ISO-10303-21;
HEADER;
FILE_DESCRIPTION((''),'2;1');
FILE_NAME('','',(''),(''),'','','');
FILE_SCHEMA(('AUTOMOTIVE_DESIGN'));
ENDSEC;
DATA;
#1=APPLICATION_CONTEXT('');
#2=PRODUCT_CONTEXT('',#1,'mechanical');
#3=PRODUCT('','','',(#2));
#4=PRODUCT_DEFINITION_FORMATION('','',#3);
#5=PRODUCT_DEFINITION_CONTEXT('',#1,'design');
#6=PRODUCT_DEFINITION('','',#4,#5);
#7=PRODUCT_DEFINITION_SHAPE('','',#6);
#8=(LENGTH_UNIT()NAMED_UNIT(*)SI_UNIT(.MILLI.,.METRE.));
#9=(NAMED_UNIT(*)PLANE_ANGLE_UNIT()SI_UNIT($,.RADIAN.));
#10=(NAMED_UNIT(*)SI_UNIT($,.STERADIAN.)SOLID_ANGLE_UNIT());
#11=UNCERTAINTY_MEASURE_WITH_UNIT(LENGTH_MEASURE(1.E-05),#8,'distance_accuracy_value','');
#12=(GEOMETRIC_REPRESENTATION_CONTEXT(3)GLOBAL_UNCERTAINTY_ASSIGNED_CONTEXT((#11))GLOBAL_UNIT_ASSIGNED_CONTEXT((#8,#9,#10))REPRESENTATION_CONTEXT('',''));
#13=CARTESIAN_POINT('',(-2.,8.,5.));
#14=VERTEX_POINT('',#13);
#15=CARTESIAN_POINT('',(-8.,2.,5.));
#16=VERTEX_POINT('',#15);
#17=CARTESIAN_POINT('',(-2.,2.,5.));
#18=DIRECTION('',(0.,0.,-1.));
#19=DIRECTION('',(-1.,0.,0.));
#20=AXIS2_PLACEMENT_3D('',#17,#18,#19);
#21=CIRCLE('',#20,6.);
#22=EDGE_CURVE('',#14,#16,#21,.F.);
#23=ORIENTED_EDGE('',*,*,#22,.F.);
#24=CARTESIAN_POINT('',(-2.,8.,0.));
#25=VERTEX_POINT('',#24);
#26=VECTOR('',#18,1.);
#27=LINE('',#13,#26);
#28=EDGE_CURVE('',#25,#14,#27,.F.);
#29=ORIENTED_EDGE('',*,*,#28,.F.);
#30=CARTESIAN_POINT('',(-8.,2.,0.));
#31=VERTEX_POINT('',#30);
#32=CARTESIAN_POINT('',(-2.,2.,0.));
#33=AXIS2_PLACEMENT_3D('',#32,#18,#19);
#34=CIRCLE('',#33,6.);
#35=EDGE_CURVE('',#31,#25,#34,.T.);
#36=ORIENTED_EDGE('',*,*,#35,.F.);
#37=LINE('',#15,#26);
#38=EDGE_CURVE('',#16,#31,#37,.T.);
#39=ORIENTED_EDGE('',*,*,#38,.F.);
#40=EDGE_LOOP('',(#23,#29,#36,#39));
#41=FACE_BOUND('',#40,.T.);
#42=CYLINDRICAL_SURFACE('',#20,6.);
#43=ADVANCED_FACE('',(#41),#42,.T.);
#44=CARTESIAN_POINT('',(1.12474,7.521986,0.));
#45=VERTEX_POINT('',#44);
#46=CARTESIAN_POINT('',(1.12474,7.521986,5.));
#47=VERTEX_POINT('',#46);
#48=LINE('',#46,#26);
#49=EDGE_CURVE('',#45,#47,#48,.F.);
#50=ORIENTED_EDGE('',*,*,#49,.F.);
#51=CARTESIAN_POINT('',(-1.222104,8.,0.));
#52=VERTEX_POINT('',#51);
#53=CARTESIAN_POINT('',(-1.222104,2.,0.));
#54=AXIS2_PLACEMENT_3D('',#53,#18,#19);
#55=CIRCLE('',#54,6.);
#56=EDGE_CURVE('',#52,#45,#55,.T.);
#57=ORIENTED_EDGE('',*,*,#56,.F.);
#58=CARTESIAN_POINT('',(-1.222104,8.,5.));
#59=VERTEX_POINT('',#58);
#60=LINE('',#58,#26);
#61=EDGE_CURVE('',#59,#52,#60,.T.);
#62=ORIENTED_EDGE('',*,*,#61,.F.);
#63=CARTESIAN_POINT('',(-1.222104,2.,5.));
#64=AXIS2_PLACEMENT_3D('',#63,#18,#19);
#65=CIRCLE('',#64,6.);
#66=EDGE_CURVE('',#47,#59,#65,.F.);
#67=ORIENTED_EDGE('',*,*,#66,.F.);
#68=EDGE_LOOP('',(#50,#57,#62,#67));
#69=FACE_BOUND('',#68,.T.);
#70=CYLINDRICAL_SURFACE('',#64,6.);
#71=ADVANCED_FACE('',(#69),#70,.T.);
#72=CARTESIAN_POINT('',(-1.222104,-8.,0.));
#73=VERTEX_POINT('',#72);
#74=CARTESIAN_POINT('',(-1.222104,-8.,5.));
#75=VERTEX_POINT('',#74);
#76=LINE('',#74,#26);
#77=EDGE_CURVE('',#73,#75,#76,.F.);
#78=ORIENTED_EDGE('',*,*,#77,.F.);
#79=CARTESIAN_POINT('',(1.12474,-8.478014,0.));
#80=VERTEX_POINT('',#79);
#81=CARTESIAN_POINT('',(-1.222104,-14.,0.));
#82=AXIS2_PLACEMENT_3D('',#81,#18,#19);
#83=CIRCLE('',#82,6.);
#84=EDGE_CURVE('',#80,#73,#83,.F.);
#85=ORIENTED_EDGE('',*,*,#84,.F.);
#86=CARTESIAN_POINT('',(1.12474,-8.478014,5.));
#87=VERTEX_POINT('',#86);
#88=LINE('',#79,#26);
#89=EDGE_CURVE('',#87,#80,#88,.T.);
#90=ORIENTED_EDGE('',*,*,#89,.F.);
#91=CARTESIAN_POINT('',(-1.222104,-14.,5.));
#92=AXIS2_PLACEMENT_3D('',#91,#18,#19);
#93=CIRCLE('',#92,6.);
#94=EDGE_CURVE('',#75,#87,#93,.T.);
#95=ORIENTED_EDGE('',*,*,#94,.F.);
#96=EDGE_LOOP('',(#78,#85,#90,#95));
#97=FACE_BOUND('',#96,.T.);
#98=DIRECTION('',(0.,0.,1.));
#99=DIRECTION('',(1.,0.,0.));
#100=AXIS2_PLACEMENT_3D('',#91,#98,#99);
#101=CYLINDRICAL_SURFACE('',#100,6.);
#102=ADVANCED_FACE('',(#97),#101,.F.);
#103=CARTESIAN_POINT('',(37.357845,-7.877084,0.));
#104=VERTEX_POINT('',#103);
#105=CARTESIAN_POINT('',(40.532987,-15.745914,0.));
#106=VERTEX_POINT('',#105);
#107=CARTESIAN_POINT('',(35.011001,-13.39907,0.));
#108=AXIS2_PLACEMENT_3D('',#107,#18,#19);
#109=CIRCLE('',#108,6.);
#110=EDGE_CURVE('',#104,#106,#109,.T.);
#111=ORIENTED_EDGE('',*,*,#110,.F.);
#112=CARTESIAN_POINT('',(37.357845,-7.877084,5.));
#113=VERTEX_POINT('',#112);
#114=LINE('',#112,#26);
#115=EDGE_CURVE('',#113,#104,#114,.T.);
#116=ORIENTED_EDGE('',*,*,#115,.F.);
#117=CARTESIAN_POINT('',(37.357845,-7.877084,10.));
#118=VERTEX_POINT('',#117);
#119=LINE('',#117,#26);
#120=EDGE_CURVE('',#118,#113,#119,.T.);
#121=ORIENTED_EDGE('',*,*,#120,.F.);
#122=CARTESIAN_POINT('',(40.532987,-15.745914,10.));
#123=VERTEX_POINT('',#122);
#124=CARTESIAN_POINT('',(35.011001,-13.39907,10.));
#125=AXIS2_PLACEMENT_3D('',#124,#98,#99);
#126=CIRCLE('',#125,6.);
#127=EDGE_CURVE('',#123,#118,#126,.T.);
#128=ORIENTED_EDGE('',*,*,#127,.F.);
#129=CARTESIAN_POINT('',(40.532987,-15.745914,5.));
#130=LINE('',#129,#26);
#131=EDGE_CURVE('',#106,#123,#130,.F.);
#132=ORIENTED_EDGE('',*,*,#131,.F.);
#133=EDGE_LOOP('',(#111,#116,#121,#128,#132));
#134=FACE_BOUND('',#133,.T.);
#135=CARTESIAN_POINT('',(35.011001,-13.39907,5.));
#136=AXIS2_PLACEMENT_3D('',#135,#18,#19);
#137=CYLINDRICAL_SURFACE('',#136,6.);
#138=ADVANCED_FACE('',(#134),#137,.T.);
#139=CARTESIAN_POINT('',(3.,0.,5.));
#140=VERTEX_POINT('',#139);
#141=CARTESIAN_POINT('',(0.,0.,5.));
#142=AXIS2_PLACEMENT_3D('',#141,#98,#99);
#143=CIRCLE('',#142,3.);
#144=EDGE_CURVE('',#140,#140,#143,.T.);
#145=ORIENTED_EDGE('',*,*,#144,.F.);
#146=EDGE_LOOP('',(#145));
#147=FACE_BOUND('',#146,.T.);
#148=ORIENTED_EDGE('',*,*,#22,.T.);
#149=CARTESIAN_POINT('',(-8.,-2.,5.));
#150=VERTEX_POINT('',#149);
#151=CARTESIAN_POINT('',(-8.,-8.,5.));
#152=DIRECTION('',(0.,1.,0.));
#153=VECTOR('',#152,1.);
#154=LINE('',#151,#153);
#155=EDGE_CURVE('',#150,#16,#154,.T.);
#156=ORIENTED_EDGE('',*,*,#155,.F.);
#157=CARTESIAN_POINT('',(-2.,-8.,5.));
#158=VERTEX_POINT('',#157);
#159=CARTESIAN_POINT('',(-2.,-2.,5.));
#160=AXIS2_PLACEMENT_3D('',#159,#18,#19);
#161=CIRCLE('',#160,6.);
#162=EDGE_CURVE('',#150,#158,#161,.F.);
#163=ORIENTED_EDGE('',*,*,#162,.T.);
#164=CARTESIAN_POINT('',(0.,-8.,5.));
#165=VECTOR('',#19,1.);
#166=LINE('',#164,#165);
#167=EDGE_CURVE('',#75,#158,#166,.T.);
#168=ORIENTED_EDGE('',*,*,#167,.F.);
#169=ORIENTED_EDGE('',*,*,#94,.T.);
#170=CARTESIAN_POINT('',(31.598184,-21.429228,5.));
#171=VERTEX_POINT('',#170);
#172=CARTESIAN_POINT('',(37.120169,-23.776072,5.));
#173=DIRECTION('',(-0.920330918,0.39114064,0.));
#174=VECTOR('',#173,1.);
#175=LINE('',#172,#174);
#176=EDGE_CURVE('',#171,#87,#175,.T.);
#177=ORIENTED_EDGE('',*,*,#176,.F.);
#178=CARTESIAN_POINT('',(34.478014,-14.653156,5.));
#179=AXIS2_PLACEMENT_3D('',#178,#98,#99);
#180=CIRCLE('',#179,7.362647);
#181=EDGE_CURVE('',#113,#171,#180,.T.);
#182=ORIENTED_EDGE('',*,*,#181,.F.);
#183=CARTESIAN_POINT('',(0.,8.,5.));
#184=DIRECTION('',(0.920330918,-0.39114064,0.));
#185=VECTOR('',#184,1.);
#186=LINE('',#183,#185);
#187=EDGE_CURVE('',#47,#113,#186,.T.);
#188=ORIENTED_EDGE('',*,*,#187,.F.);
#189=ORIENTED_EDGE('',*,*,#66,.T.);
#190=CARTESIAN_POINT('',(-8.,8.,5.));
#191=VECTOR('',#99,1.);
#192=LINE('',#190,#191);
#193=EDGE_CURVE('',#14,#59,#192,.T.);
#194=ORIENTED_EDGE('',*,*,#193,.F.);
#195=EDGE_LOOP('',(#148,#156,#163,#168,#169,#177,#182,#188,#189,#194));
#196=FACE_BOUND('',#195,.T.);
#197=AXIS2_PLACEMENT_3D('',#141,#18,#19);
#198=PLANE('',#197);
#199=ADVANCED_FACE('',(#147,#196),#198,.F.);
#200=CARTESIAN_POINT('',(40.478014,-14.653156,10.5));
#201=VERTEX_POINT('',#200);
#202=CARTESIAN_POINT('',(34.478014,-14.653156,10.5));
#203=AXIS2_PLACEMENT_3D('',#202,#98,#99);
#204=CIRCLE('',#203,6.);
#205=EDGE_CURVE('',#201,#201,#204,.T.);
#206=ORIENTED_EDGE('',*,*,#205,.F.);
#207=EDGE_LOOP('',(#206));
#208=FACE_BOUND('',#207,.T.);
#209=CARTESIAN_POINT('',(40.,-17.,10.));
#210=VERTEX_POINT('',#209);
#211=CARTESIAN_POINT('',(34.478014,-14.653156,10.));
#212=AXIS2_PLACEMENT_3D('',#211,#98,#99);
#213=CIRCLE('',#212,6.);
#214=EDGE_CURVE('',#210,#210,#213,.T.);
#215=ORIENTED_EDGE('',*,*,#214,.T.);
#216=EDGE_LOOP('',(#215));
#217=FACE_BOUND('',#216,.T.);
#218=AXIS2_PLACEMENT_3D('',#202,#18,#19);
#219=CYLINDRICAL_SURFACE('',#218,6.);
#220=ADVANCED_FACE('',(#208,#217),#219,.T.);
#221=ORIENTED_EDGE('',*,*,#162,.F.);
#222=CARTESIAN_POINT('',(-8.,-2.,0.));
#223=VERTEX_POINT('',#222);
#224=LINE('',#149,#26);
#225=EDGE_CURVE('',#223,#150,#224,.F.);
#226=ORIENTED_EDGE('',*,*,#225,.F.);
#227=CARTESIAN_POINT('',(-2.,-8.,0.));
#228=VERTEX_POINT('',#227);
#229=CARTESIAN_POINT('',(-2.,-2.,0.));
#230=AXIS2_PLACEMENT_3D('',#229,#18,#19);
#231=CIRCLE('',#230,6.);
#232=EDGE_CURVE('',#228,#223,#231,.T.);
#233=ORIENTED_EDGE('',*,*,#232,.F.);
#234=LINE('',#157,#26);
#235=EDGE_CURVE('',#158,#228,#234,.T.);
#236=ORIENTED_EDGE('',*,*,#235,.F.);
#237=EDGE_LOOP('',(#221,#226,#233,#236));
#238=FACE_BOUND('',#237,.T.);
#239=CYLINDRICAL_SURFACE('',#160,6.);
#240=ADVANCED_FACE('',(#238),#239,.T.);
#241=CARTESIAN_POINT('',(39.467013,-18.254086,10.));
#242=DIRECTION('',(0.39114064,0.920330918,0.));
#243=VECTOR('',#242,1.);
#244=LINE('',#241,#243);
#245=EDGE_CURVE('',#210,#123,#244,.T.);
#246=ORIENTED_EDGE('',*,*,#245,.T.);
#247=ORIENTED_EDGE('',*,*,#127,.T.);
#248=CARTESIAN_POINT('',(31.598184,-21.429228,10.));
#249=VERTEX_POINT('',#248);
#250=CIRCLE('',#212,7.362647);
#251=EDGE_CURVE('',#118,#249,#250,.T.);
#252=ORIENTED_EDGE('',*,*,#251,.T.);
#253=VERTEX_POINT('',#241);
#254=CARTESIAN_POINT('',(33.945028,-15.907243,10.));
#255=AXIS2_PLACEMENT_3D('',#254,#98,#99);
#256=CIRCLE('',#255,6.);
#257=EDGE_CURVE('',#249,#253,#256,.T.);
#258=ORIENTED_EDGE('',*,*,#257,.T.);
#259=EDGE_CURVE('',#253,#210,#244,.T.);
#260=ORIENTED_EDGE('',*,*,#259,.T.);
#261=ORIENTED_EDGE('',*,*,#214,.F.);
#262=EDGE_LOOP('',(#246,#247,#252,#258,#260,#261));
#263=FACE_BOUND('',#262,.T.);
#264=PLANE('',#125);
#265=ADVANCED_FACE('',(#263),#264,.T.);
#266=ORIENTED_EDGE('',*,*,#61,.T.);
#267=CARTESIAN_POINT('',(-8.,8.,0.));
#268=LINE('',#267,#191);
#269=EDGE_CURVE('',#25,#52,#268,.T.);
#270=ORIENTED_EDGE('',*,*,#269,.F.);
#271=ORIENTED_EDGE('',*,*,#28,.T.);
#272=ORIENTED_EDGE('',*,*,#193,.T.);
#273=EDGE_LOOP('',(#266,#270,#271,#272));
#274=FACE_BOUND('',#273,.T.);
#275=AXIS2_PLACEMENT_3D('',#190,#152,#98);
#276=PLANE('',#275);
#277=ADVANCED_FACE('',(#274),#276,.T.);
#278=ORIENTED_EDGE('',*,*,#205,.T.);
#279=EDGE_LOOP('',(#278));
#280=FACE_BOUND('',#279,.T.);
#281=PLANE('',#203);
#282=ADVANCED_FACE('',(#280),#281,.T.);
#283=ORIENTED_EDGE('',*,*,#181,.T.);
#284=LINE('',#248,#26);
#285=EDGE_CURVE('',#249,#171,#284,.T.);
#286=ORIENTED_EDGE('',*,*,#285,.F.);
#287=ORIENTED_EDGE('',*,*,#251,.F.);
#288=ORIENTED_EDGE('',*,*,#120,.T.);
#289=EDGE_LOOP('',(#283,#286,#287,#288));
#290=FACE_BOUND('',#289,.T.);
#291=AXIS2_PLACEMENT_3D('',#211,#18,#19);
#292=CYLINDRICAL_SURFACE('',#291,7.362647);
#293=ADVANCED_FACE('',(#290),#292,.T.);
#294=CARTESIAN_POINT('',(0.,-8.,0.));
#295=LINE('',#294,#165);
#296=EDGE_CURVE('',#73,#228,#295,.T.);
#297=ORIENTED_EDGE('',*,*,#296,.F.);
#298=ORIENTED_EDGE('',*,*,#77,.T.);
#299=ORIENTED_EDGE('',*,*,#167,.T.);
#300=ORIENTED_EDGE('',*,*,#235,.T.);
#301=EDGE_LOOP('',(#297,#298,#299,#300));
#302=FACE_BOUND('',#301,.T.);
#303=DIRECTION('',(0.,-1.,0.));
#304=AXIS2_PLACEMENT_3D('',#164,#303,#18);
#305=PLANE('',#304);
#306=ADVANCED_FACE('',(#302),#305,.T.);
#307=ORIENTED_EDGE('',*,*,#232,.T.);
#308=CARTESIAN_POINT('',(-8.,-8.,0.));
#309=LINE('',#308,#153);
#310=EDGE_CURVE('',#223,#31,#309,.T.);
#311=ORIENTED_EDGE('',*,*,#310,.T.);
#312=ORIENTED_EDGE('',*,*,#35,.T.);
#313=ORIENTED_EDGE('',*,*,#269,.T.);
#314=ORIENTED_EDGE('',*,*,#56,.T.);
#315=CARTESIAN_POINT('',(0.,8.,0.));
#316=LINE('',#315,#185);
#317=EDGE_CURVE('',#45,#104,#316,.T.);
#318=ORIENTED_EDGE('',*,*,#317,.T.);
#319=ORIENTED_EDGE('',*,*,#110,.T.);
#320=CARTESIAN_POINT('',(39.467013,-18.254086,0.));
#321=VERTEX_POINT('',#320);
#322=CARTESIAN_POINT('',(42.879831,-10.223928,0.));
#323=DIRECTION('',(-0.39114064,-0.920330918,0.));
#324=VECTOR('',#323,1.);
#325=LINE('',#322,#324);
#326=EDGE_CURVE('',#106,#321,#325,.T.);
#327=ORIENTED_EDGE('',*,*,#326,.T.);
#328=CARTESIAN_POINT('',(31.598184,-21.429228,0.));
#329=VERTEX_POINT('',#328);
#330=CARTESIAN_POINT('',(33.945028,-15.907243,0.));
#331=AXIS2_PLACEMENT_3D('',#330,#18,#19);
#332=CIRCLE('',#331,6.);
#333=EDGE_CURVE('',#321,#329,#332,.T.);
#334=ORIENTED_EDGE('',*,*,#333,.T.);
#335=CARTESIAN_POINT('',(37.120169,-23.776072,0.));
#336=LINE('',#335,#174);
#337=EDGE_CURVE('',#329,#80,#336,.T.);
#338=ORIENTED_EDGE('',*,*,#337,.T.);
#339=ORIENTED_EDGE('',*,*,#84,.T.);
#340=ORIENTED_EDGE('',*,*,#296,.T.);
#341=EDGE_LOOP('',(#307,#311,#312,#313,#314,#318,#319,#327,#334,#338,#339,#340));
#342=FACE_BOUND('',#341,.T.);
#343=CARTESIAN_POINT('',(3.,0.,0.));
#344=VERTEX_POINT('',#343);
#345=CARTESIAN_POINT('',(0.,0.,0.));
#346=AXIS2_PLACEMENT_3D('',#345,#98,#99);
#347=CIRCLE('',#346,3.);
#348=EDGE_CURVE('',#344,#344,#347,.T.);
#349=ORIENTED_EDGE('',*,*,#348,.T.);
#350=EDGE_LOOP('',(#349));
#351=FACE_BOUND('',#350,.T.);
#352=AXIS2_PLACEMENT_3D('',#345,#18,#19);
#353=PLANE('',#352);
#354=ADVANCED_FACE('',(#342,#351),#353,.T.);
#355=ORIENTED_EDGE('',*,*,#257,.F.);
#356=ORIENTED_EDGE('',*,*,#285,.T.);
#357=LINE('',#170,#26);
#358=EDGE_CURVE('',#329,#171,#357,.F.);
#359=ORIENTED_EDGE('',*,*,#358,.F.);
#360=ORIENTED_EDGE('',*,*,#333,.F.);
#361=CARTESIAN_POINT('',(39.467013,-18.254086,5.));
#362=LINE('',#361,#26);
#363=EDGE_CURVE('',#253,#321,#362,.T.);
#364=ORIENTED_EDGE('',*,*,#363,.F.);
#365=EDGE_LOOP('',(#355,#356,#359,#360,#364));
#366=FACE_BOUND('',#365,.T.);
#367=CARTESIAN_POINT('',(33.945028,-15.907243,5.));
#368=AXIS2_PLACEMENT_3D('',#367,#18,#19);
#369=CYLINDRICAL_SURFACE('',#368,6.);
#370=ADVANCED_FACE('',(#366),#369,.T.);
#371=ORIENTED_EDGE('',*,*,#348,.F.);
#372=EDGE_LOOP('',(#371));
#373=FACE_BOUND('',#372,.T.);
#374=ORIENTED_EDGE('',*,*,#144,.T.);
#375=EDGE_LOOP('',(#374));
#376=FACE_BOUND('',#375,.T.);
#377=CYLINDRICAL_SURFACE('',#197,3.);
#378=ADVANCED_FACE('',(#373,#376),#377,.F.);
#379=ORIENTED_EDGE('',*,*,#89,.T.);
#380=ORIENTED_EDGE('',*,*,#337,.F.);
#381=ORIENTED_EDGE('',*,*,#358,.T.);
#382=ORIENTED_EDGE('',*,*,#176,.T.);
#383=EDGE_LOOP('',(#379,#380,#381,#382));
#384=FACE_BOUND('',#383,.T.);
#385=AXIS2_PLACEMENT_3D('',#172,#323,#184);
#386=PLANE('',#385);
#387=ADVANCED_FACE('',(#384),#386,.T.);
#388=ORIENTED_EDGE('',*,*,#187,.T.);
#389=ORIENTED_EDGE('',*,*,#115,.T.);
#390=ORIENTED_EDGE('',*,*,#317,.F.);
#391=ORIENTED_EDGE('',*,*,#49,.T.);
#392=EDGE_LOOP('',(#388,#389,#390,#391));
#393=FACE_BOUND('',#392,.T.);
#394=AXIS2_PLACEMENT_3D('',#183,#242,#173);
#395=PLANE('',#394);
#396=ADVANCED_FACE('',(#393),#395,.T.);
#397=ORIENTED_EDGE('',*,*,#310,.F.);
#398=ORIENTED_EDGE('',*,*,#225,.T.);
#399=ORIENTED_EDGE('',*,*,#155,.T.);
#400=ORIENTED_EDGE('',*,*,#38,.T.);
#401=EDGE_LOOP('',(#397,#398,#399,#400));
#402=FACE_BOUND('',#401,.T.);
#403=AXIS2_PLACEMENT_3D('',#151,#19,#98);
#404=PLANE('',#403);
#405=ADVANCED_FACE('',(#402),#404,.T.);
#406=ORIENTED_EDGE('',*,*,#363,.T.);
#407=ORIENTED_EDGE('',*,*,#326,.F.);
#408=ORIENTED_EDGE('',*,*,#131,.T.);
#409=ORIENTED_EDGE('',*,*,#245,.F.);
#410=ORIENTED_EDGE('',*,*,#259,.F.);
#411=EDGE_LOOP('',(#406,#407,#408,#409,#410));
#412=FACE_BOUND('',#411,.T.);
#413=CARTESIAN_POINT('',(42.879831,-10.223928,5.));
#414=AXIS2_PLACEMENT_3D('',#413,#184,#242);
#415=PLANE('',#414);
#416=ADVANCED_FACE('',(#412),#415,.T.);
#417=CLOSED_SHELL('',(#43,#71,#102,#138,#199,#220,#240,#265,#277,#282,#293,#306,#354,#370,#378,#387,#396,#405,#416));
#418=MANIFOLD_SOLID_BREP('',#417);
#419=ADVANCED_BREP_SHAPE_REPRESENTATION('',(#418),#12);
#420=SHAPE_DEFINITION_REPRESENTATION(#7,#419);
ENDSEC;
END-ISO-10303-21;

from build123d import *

# Parameters (mm, degrees)
ESBO_O1_R                = 3
RESSALTO_EXTRUS_O1_DEPTH = 5
FILETE1_R                = 6
RESSALTO_EXTRUS_O2_DEPTH = 5
ESBO_O3_R                = 6
RESSALTO_EXTRUS_O3_DEPTH = 0.5


with BuildPart() as part:
    # Esboço1 → Ressalto-extrusão1 (new body)
    with BuildSketch(Plane.XY):
        Polygon((-8, -8), (-8, 8), (0, 8), (42.879830598, -10.223928004), (37.120169402, -23.776071996), (0, -8), align=None)
        Circle(ESBO_O1_R, mode=Mode.SUBTRACT)
    extrude(amount=RESSALTO_EXTRUS_O1_DEPTH)

    # Filete1
    filete1_edges = [part.edges().sort_by_distance(p)[0] for p in [
        (-8, -8, 2.5),
        (0, -8, 2.5),
        (37.120169402, -23.776071996, 2.5),
        (42.879830598, -10.223928004, 2.5),
        (0, 8, 2.5),
        (-8, 8, 2.5),
    ]]
    fillet(filete1_edges, radius=FILETE1_R)

    # Esboço2 → Ressalto-extrusão2 (add)
    with BuildSketch(Plane.XY.offset(5)):
        with BuildLine():
            Line((39.467013244, -18.254086485), (40.532986756, -15.745913515))
            ThreePointArc((40.532986756, -15.745913515), (40.575103841, -11.153905468), (37.357845087, -7.877084162))
            ThreePointArc((37.357845087, -7.877084162), (36.552086472, -7.588681558), (35.718304651, -7.395728495))
            ThreePointArc((35.718304651, -7.395728495), (27.413539889, -12.579084175), (31.598183891, -21.429228154))
            ThreePointArc((31.598183891, -21.429228154), (36.190191938, -21.471345238), (39.467013244, -18.254086485))
        make_face()
    extrude(amount=RESSALTO_EXTRUS_O2_DEPTH)

    # Esboço3 → Ressalto-extrusão3 (add)
    with BuildSketch(Plane.XY.offset(10)):
        with Locations((34.478014489, -14.653156158)):
            Circle(ESBO_O3_R)
    extrude(amount=RESSALTO_EXTRUS_O3_DEPTH)


solid = part.part
